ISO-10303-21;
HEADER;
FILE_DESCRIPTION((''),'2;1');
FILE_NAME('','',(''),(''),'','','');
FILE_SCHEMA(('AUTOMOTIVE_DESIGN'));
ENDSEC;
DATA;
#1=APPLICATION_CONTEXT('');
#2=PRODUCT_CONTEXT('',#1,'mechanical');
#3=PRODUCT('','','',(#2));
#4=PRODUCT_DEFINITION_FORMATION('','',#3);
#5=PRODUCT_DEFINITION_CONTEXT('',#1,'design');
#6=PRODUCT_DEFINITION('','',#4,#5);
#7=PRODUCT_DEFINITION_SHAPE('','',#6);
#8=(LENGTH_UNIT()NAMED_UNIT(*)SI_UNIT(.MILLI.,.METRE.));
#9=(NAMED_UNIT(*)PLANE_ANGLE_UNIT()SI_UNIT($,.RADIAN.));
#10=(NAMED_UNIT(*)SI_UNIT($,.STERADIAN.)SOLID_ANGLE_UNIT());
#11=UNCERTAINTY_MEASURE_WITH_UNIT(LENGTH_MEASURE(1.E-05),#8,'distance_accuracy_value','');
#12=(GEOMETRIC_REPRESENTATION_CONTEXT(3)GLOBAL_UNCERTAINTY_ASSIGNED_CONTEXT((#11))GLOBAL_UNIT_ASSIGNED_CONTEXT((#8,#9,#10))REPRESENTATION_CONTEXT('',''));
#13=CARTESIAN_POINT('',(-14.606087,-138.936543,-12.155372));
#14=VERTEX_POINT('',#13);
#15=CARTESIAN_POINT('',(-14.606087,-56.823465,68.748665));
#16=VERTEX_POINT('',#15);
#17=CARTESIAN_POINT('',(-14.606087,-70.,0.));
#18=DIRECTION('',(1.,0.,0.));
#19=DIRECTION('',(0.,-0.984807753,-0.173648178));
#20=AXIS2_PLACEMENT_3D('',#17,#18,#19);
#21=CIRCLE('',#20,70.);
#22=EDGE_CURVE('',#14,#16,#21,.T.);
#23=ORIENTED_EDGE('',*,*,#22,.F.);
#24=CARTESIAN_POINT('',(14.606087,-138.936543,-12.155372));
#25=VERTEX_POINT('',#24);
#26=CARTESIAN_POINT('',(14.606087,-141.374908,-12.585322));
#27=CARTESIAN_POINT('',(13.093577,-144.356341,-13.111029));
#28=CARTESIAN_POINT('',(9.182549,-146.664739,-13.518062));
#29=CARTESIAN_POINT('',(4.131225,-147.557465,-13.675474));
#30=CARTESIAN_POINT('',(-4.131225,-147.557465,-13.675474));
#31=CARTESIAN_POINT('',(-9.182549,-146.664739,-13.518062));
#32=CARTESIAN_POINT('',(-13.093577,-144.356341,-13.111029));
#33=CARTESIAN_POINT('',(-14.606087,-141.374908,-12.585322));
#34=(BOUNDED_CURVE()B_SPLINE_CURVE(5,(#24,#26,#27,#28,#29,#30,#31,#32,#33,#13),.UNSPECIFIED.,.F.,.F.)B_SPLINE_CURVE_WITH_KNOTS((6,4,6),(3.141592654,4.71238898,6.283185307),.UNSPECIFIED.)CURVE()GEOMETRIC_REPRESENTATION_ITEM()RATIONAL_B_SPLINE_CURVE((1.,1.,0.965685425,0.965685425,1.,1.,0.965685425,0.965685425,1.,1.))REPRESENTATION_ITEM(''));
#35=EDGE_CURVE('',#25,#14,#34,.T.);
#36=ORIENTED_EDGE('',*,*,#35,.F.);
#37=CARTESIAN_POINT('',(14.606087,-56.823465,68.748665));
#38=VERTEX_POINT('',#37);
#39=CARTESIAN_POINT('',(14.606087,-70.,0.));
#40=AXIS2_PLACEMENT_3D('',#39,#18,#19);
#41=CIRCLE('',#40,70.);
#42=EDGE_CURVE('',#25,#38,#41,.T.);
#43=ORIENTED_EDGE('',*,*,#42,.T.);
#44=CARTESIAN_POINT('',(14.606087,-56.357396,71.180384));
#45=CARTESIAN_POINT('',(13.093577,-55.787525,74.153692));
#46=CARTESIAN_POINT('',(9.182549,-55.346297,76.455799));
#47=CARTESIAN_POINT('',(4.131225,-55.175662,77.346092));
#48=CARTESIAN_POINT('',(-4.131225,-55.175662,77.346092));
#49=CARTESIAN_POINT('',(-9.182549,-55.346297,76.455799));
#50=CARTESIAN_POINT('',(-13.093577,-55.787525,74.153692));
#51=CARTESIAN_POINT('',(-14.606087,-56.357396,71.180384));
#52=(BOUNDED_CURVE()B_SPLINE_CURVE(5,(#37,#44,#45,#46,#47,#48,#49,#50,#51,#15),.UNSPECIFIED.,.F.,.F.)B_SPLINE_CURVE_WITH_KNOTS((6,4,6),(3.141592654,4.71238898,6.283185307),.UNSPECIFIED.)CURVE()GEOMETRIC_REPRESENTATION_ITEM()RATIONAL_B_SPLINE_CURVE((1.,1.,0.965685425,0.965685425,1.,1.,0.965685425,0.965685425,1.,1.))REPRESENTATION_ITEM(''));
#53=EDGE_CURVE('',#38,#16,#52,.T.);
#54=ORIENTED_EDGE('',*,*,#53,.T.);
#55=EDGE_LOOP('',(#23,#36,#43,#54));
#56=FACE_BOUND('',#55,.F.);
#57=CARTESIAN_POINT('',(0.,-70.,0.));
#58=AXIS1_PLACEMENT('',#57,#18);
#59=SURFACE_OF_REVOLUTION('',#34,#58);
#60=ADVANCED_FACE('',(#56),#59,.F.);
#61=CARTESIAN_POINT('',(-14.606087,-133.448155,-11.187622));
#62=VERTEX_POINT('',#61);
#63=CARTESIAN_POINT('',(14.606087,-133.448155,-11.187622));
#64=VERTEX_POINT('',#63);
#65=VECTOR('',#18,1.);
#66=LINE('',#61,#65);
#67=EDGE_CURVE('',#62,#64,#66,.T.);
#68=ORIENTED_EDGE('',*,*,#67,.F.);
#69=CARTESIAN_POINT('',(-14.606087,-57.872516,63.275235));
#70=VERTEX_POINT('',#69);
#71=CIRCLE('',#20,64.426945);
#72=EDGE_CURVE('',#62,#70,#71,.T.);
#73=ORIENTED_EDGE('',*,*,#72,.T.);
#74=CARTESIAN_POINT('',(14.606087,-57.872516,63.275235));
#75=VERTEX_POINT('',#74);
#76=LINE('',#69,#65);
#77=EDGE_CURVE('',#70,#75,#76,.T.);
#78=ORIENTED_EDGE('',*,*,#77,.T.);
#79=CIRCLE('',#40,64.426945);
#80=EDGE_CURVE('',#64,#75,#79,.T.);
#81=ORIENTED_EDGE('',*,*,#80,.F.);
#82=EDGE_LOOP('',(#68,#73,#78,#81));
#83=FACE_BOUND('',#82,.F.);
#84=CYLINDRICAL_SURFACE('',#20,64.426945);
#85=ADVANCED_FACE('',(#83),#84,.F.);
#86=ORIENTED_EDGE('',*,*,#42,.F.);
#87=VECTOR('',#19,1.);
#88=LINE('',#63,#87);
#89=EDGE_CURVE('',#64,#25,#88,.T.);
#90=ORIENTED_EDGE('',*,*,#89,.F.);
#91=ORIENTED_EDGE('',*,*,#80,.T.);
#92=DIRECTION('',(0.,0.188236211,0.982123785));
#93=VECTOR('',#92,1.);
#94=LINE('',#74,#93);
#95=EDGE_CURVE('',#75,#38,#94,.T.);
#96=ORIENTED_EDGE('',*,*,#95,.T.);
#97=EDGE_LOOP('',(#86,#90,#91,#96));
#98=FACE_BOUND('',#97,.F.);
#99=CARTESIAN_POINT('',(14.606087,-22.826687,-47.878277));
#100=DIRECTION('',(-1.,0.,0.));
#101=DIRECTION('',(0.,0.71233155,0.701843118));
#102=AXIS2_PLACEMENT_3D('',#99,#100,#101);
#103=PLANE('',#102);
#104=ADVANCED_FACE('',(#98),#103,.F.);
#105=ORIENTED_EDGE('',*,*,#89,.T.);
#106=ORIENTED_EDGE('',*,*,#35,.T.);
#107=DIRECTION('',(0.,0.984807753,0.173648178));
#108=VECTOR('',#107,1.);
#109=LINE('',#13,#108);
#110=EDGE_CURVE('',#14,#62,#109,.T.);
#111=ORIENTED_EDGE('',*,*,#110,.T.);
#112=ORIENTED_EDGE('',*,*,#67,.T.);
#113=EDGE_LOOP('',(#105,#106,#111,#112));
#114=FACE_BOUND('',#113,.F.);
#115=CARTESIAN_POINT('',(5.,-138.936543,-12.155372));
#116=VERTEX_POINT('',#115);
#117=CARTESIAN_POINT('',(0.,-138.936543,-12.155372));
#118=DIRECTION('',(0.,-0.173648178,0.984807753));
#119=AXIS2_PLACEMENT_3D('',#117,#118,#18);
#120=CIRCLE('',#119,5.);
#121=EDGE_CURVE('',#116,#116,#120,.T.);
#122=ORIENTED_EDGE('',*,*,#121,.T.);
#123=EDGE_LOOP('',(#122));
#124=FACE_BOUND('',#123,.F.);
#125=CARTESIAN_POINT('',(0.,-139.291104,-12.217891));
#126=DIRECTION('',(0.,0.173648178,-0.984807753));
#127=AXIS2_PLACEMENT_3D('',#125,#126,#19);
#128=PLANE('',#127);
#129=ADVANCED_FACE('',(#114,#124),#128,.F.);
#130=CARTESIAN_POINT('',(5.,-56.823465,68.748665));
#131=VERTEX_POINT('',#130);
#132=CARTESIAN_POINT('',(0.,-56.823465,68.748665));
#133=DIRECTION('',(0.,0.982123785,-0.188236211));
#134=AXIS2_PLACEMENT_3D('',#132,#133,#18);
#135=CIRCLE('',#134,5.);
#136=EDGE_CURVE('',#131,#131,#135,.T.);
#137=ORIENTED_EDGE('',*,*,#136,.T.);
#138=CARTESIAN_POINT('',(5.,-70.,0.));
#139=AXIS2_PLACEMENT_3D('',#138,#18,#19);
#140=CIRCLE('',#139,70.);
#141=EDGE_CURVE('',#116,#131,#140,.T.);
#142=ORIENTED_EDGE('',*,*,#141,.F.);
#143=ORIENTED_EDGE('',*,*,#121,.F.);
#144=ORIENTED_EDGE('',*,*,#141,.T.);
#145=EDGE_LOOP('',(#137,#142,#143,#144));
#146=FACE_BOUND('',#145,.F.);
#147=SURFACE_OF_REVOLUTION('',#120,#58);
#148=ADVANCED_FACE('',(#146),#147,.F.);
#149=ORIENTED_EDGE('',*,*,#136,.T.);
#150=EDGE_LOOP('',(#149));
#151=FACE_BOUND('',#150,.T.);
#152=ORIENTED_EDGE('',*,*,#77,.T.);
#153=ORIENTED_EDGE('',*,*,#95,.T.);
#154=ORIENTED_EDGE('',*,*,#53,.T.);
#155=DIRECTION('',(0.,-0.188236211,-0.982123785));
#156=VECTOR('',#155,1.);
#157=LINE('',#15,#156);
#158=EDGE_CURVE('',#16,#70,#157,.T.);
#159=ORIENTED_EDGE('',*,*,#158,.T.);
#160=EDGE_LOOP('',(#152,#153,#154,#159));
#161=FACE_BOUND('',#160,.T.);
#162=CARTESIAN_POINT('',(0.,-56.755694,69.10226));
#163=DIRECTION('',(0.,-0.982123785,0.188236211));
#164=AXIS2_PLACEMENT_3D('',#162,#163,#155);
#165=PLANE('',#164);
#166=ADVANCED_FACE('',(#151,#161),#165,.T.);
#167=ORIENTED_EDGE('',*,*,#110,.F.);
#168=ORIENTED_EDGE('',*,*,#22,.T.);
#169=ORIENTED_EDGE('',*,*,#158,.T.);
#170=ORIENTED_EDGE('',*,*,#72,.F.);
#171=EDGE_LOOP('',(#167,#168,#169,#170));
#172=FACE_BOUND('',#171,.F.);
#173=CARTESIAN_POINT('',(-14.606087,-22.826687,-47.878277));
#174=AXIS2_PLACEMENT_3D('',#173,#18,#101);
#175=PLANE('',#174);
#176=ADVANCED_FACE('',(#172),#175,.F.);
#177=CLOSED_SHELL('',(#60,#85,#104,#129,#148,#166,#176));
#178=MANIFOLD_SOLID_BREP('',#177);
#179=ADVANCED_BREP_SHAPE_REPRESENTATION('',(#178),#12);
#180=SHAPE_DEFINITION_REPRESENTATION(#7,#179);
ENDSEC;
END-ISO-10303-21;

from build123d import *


with BuildPart() as f3:
    # F3: sweep along a path in F2
    with BuildLine(Plane.YZ) as f3_path:
        ThreePointArc((-1.0634572891, 12.1553724367), (-119.1290182748, 49.8632085144), (-83.1765347934, -68.7486649386))
    # F0 (on Top) → F3 (sweep)
    with BuildSketch(Plane.XY):
        with BuildLine():
            add(Edge.make_bspline(
                [(14.6060865372, 0), (14.6060865372, 8.7539134547), (0, 8.7539134547)],
                knots=[3.1415926536, 3.1415926536, 3.1415926536, 4.7123889804, 4.7123889804, 4.7123889804], degree=2, weights=[1, 0.7071067812, 1]))
            add(Edge.make_bspline(
                [(0, 8.7539134547), (-14.6060865372, 8.7539134547), (-14.6060865372, 0)],
                knots=[1.5707963268, 1.5707963268, 1.5707963268, 3.1415926536, 3.1415926536, 3.1415926536], degree=2, weights=[1, 0.7071067812, 1]))
            Line((-14.6060865372, 0), (-5, 0))
            ThreePointArc((-5, 0), (0, 5), (5, 0))
            Line((5, 0), (14.6060865372, 0))
        make_face()
        with BuildLine():
            Line((-5, 0), (-14.6060865372, 0))
            Line((-14.6060865372, 0), (-14.6060865372, -5.5730552413))
            Line((-14.6060865372, -5.5730552413), (14.6060865372, -5.5730552413))
            Line((14.6060865372, -5.5730552413), (14.6060865372, 0))
            Line((14.6060865372, 0), (5, 0))
            ThreePointArc((5, 0), (0, -5), (-5, 0))
        make_face()
    sweep(path=f3_path.line)


solid = f3.part
